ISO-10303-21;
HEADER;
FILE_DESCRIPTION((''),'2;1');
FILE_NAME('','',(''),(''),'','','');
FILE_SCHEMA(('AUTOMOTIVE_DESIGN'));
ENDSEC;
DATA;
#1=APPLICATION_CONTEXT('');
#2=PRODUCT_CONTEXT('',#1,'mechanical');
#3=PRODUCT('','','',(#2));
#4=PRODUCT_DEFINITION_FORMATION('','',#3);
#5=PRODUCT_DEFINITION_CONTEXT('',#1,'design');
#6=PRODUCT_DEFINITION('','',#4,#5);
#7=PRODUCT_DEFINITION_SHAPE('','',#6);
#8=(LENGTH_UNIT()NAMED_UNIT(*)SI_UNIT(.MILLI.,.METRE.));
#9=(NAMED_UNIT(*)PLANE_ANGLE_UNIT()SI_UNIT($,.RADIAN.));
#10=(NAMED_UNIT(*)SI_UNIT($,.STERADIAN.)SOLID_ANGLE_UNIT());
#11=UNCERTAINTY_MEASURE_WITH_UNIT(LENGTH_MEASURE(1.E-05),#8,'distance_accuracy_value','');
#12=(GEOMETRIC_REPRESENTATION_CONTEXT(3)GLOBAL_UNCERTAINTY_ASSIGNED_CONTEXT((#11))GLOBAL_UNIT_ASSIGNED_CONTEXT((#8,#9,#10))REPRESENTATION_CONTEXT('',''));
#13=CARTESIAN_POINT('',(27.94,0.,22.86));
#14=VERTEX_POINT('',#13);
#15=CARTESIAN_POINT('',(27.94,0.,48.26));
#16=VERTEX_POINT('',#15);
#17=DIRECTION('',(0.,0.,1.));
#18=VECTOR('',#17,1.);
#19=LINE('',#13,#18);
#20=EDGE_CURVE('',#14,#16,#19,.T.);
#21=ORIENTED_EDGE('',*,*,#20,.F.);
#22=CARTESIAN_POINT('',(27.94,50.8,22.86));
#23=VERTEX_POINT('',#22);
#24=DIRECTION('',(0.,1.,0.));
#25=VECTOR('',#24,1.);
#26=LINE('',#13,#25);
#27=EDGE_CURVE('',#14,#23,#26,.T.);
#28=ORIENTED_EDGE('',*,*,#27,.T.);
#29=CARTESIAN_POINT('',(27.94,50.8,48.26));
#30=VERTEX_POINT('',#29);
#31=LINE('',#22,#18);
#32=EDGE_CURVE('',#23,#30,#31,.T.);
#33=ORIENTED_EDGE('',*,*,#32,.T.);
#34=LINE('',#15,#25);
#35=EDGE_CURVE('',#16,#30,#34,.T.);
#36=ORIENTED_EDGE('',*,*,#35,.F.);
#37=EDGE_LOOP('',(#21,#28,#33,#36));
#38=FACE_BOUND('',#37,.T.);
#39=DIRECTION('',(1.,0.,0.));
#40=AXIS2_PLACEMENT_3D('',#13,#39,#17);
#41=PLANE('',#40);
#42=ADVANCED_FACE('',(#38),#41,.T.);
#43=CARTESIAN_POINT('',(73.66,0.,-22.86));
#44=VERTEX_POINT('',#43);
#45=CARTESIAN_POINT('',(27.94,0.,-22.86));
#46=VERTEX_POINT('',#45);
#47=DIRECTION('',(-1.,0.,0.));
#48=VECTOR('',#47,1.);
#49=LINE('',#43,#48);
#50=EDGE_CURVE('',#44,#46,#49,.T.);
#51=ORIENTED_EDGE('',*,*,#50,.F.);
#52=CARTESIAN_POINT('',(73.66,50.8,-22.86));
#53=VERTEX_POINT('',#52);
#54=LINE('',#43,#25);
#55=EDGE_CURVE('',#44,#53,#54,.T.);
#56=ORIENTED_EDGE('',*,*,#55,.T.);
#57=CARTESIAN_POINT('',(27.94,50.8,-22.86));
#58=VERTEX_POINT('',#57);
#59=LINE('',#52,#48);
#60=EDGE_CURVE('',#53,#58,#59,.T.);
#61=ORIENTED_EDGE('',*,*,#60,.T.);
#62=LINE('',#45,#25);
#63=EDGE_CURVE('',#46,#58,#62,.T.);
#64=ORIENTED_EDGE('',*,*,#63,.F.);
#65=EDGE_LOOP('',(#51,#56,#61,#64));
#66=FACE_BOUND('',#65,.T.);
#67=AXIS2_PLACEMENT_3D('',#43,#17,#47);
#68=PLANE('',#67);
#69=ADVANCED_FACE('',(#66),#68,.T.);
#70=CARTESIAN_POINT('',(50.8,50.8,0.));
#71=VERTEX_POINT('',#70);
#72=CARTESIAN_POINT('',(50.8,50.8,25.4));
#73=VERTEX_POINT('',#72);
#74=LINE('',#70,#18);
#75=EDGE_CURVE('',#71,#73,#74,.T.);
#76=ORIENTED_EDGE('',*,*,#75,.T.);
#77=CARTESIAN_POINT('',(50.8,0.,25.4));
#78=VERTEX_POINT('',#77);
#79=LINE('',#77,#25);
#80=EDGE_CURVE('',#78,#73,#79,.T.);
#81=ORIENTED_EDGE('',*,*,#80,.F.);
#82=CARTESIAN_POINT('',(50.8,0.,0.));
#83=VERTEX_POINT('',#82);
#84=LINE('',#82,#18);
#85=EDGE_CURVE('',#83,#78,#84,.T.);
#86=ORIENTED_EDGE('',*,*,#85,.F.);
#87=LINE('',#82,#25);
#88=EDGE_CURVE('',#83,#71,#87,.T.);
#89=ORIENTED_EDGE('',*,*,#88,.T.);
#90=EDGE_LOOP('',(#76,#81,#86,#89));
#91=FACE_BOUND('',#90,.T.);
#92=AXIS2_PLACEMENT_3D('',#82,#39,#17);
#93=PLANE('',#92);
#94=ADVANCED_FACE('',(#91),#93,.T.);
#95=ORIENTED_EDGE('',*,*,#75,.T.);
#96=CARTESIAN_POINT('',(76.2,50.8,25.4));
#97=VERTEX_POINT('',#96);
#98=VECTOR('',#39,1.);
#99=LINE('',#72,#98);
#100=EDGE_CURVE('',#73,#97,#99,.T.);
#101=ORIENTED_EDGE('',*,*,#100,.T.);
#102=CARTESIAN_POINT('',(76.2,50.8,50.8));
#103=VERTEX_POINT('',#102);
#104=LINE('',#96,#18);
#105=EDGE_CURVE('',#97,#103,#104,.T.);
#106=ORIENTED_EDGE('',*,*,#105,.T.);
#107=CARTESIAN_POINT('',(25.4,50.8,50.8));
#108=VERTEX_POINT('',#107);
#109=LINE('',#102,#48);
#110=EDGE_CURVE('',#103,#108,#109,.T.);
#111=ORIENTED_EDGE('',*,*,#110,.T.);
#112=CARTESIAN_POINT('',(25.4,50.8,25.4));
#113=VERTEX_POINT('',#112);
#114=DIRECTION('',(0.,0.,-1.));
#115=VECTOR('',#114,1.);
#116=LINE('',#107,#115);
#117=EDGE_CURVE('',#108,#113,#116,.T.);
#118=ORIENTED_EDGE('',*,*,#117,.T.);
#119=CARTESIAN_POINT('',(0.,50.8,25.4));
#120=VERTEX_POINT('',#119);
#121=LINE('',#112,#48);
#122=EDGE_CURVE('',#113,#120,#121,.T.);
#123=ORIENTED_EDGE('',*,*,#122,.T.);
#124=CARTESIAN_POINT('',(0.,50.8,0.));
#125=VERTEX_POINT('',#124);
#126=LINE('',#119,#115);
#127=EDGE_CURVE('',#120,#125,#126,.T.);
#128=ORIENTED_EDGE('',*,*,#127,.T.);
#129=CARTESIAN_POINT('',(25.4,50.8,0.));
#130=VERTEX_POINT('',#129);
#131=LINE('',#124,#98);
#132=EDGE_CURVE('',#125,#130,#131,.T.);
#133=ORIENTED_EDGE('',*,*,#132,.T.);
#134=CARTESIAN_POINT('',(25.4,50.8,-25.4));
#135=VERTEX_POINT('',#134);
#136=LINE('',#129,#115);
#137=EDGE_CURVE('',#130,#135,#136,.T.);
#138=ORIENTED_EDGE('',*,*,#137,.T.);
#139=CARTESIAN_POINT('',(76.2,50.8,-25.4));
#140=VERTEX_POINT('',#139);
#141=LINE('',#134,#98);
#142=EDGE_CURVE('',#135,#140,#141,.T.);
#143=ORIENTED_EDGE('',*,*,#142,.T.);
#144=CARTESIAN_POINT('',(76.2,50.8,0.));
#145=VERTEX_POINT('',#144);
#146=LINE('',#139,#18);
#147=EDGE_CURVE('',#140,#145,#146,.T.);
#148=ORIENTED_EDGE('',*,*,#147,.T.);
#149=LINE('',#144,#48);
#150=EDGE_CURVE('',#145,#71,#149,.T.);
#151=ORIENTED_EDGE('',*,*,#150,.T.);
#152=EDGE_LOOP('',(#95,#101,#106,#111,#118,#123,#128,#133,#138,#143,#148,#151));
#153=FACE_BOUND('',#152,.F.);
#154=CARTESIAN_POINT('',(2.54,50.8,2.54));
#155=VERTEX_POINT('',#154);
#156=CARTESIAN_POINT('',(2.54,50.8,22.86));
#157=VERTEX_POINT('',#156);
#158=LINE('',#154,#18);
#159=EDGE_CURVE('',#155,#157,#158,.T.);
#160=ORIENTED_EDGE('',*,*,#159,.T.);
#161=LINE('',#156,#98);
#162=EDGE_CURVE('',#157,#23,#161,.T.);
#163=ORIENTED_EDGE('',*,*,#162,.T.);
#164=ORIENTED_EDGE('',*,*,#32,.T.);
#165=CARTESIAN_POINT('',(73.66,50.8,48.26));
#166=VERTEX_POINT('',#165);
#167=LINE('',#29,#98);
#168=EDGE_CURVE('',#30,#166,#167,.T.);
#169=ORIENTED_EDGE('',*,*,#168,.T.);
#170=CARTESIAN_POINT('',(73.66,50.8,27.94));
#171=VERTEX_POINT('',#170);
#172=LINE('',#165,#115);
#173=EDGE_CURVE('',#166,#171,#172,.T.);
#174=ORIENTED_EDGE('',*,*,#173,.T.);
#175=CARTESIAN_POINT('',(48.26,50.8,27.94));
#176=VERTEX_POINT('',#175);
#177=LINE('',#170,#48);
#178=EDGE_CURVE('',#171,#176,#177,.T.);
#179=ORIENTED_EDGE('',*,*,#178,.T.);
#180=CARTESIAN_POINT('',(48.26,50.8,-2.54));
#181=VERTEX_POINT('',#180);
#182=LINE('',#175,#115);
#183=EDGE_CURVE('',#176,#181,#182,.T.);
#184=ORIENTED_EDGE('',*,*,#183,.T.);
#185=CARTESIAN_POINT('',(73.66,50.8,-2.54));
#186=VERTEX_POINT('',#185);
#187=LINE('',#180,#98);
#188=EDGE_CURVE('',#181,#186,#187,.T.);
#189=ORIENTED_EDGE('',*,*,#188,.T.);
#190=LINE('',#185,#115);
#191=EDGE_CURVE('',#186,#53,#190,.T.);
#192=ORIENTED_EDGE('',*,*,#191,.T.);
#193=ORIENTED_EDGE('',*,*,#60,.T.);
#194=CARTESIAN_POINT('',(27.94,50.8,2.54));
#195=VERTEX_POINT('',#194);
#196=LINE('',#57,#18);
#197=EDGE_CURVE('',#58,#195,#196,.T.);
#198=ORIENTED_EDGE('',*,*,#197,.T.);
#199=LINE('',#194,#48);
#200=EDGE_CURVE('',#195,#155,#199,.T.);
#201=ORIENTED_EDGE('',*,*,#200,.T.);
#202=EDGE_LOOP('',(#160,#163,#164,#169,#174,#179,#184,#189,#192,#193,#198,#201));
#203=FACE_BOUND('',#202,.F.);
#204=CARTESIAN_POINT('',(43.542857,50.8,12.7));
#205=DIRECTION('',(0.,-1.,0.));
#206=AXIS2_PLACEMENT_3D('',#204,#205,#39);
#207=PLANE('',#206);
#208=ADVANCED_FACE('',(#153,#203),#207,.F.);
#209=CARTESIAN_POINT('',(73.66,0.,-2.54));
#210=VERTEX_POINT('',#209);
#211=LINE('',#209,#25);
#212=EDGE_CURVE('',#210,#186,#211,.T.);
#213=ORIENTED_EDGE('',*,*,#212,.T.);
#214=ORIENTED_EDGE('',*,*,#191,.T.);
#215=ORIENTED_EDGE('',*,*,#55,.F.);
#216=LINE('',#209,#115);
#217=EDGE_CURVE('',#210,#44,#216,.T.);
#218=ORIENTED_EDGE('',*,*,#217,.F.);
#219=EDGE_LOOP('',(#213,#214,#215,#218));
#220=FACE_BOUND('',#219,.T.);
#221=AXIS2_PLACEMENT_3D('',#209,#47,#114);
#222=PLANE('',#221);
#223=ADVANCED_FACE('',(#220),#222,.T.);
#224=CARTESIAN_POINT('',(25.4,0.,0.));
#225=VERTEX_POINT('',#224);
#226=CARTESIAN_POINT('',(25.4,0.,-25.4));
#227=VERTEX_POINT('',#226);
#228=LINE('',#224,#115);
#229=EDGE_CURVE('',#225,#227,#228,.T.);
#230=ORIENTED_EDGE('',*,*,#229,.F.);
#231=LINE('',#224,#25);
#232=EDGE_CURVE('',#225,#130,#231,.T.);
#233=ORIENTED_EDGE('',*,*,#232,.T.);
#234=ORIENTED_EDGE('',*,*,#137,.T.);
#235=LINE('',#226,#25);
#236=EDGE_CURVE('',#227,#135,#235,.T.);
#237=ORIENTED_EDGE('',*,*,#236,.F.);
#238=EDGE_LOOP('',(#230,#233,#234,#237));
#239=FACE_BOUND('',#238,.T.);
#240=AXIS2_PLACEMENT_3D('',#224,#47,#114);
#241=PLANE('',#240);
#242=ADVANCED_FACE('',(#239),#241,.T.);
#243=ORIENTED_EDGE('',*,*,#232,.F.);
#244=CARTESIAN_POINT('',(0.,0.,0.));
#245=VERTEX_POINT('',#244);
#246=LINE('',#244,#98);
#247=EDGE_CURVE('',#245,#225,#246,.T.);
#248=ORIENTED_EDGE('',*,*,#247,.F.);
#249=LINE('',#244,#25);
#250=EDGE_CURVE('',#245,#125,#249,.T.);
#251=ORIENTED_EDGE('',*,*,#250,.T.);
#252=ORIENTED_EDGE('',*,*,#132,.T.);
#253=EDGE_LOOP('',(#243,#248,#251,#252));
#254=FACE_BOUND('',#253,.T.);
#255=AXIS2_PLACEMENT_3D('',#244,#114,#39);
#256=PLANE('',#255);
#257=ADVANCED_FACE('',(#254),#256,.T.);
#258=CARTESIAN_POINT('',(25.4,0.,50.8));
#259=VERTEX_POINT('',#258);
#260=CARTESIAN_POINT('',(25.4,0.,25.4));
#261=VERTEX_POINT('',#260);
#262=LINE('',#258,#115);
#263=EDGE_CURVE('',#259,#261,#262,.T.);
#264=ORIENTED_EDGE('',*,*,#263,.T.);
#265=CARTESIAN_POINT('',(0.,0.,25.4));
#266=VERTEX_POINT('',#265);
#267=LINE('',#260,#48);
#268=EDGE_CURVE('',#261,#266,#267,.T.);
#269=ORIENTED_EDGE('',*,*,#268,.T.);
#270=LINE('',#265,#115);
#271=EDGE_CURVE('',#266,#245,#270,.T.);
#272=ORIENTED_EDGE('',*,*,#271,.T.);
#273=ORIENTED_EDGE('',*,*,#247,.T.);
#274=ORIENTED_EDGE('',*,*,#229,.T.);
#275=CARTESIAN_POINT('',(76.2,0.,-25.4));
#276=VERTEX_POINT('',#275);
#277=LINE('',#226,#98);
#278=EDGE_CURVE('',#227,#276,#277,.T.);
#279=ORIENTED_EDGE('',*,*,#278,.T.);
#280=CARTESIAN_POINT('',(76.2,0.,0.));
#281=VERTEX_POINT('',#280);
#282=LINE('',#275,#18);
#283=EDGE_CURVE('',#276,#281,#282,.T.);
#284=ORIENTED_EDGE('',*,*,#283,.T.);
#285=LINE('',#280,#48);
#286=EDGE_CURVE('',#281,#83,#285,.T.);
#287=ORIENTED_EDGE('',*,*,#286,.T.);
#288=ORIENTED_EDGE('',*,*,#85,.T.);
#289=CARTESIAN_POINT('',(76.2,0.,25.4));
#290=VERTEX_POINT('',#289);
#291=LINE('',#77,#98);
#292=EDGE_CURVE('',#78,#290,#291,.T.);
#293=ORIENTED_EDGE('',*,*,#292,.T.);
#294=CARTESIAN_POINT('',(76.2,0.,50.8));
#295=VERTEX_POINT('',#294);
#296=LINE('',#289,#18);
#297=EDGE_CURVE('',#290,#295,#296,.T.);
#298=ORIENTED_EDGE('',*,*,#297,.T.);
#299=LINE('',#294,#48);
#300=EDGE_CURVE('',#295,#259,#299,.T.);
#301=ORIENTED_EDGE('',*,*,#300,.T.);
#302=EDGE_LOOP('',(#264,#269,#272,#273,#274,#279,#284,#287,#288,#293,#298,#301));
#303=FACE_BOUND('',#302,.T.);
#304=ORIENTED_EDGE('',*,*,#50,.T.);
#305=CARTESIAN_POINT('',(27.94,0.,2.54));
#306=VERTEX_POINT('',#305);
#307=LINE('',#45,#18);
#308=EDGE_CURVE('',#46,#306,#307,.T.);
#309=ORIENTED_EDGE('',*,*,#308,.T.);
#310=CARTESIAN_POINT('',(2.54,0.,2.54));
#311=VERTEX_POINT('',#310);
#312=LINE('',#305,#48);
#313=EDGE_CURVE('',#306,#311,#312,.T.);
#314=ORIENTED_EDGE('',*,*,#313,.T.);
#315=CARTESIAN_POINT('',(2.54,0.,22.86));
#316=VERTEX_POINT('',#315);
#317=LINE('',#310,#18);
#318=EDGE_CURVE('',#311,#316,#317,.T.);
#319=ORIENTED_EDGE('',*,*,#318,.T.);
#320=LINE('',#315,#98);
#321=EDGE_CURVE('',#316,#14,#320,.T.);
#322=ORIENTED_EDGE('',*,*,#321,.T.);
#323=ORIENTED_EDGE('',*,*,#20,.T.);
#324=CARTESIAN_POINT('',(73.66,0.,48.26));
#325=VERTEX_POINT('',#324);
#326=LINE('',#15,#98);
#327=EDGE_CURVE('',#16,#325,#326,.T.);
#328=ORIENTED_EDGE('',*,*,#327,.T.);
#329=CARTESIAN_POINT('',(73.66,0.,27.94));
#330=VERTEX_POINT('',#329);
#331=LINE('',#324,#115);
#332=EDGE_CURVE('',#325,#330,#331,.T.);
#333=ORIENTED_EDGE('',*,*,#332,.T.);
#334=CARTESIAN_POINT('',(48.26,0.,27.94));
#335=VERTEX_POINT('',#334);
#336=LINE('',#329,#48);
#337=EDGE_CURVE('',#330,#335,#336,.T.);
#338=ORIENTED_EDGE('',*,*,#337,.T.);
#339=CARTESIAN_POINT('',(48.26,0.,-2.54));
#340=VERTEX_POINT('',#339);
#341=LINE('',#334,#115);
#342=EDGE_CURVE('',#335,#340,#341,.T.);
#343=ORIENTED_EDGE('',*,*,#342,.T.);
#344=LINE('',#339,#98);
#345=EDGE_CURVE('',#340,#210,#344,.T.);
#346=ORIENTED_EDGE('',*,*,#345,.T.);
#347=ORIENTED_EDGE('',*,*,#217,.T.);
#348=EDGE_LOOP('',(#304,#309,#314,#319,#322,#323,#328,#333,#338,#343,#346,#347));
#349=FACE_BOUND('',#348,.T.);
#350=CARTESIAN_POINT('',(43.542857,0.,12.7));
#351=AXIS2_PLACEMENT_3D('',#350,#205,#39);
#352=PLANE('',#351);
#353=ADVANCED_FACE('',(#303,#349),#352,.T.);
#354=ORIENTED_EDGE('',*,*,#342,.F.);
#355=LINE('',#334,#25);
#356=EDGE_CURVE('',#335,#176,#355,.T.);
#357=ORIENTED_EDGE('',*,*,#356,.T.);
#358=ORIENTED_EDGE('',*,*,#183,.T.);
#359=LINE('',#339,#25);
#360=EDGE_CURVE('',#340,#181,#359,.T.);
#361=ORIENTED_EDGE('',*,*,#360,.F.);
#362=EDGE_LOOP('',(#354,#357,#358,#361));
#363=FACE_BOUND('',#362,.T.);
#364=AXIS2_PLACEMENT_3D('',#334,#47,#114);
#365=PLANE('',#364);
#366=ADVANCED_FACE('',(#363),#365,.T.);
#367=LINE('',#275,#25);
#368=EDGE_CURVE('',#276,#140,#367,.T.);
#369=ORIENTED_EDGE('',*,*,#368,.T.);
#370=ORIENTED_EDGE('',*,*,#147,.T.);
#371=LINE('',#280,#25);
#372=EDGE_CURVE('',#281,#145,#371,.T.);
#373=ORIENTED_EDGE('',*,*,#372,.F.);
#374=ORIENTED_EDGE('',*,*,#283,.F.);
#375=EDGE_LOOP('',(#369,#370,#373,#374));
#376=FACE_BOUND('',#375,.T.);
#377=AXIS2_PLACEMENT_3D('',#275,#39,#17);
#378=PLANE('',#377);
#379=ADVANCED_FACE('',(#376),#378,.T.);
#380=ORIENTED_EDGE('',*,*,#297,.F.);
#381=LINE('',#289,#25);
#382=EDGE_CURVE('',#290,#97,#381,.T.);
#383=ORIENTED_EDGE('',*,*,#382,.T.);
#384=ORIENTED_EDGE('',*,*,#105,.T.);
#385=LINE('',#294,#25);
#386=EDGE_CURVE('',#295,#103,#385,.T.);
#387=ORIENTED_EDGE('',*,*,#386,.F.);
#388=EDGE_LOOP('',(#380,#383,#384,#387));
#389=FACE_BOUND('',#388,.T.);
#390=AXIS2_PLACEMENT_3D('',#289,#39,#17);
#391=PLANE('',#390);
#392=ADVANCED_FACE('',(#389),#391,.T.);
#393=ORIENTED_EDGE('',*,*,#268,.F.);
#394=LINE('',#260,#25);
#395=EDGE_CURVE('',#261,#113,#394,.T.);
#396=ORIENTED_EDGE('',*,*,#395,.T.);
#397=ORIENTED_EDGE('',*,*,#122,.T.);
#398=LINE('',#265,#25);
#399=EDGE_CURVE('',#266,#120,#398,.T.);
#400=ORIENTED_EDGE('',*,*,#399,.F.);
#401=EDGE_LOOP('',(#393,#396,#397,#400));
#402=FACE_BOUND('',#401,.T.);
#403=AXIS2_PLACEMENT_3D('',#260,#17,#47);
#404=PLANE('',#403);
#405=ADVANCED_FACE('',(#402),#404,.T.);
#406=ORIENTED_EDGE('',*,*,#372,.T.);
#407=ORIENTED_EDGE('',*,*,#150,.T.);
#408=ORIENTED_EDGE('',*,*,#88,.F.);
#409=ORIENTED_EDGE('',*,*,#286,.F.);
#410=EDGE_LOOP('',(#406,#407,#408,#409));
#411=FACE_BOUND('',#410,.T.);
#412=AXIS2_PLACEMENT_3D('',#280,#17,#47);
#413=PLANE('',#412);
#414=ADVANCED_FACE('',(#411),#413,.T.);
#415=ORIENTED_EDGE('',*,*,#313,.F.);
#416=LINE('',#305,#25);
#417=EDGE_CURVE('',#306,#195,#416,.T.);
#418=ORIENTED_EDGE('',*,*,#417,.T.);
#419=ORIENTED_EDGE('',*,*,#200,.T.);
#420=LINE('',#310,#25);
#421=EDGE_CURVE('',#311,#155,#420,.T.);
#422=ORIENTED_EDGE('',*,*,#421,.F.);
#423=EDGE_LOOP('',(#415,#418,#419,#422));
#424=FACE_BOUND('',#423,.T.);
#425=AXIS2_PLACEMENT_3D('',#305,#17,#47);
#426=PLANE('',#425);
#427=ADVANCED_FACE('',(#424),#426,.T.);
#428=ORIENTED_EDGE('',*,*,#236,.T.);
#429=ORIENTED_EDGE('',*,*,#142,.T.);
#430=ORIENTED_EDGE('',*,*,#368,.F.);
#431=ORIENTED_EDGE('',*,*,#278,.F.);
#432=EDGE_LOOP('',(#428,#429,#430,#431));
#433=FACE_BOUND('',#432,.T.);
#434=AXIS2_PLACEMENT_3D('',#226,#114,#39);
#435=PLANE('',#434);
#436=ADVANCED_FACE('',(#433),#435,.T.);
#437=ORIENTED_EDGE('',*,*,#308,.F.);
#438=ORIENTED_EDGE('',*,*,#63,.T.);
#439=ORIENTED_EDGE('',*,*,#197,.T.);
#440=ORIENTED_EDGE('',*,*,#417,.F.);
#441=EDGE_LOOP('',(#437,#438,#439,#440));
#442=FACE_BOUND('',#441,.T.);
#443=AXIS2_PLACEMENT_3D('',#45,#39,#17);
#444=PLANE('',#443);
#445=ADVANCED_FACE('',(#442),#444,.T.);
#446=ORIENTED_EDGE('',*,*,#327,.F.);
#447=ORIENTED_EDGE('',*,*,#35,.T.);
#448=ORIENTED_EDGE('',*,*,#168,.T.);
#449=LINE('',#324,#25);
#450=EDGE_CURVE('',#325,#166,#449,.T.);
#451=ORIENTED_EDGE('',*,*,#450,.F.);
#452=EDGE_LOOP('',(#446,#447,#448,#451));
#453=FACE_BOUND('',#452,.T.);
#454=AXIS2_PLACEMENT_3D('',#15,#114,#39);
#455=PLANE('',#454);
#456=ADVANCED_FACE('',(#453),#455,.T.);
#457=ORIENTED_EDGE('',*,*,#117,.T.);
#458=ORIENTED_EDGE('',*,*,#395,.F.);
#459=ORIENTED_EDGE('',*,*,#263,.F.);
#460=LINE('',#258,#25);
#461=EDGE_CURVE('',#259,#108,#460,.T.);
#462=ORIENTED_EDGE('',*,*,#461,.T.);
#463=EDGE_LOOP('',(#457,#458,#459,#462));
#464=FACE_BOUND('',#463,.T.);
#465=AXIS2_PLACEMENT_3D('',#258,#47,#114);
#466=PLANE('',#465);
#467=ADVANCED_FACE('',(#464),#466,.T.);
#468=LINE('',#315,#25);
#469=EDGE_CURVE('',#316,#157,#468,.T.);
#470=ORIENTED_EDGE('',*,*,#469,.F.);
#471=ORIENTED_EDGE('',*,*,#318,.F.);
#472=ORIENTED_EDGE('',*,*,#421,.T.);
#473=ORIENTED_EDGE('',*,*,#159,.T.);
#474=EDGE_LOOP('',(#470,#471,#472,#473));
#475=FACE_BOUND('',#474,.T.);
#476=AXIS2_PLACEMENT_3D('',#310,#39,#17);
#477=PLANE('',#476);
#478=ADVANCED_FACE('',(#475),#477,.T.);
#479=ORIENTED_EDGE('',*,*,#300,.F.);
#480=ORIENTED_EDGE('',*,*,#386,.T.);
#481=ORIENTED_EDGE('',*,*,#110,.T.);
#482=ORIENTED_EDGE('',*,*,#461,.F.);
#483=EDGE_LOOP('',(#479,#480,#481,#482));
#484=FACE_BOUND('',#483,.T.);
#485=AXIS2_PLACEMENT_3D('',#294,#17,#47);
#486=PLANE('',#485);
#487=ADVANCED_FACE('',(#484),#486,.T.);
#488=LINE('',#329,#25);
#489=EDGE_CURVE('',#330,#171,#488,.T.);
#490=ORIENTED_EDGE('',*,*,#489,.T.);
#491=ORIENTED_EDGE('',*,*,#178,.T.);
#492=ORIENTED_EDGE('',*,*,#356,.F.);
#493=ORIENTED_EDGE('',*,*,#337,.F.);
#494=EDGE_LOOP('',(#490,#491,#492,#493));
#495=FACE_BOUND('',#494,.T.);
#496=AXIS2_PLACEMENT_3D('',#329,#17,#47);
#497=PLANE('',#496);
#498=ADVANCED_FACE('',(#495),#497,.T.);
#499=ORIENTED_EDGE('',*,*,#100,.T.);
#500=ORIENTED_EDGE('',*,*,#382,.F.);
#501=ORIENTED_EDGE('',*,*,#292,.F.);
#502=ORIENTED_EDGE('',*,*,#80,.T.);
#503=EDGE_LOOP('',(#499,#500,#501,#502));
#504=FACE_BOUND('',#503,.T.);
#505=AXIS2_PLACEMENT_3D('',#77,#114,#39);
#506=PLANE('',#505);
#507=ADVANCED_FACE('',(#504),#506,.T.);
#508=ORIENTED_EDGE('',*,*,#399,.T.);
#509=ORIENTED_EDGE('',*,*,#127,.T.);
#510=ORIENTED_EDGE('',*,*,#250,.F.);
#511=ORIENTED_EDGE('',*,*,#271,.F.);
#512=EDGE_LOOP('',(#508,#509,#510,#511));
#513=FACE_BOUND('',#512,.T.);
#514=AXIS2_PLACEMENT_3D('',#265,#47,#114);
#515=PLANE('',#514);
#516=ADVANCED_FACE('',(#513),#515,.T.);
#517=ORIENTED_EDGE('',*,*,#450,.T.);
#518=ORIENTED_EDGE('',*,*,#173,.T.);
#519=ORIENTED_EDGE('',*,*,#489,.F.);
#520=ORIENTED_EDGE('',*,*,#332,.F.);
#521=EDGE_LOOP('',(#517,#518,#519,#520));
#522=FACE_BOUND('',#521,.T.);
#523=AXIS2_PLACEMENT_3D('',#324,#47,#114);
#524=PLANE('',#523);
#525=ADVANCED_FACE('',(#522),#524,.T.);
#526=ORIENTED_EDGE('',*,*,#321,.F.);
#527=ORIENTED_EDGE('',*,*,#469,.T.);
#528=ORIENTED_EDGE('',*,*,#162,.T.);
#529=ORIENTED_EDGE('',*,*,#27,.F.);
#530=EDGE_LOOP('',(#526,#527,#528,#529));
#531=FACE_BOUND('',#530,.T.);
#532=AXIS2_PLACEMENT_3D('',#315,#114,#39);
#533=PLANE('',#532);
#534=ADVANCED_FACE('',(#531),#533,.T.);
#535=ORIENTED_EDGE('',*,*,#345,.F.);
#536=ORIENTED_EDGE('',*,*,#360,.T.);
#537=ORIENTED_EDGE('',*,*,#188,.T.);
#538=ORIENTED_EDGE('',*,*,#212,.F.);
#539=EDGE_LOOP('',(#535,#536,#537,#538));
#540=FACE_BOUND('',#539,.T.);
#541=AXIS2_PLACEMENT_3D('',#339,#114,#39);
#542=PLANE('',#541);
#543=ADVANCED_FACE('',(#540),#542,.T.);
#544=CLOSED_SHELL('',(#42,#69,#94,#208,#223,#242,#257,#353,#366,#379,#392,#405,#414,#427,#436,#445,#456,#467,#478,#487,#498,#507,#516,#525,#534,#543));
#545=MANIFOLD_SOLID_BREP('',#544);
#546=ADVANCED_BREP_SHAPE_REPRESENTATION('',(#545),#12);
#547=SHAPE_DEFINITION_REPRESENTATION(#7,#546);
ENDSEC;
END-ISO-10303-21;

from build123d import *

# Parameters (mm, degrees)
F2_DEPTH = 50.8


with BuildPart() as f2:
    # F1 (on face) → F2 (new body)
    with BuildSketch(Plane.XZ):
        Polygon((25.4, 25.4), (0, 25.4), (0, 0), (25.4, 0), (25.4, -25.4), (76.2, -25.4), (76.2, 0), (50.8, 0), (50.8, 25.4), (76.2, 25.4), (76.2, 50.8), (25.4, 50.8), align=None)
        Polygon((2.54, 22.86), (27.94, 22.86), (27.94, 48.26), (73.66, 48.26), (73.66, 27.94), (48.26, 27.94), (48.26, -2.54), (73.66, -2.54), (73.66, -22.86), (27.94, -22.86), (27.94, 2.54), (2.54, 2.54), align=None, mode=Mode.SUBTRACT)
    extrude(amount=-F2_DEPTH)


solid = f2.part
